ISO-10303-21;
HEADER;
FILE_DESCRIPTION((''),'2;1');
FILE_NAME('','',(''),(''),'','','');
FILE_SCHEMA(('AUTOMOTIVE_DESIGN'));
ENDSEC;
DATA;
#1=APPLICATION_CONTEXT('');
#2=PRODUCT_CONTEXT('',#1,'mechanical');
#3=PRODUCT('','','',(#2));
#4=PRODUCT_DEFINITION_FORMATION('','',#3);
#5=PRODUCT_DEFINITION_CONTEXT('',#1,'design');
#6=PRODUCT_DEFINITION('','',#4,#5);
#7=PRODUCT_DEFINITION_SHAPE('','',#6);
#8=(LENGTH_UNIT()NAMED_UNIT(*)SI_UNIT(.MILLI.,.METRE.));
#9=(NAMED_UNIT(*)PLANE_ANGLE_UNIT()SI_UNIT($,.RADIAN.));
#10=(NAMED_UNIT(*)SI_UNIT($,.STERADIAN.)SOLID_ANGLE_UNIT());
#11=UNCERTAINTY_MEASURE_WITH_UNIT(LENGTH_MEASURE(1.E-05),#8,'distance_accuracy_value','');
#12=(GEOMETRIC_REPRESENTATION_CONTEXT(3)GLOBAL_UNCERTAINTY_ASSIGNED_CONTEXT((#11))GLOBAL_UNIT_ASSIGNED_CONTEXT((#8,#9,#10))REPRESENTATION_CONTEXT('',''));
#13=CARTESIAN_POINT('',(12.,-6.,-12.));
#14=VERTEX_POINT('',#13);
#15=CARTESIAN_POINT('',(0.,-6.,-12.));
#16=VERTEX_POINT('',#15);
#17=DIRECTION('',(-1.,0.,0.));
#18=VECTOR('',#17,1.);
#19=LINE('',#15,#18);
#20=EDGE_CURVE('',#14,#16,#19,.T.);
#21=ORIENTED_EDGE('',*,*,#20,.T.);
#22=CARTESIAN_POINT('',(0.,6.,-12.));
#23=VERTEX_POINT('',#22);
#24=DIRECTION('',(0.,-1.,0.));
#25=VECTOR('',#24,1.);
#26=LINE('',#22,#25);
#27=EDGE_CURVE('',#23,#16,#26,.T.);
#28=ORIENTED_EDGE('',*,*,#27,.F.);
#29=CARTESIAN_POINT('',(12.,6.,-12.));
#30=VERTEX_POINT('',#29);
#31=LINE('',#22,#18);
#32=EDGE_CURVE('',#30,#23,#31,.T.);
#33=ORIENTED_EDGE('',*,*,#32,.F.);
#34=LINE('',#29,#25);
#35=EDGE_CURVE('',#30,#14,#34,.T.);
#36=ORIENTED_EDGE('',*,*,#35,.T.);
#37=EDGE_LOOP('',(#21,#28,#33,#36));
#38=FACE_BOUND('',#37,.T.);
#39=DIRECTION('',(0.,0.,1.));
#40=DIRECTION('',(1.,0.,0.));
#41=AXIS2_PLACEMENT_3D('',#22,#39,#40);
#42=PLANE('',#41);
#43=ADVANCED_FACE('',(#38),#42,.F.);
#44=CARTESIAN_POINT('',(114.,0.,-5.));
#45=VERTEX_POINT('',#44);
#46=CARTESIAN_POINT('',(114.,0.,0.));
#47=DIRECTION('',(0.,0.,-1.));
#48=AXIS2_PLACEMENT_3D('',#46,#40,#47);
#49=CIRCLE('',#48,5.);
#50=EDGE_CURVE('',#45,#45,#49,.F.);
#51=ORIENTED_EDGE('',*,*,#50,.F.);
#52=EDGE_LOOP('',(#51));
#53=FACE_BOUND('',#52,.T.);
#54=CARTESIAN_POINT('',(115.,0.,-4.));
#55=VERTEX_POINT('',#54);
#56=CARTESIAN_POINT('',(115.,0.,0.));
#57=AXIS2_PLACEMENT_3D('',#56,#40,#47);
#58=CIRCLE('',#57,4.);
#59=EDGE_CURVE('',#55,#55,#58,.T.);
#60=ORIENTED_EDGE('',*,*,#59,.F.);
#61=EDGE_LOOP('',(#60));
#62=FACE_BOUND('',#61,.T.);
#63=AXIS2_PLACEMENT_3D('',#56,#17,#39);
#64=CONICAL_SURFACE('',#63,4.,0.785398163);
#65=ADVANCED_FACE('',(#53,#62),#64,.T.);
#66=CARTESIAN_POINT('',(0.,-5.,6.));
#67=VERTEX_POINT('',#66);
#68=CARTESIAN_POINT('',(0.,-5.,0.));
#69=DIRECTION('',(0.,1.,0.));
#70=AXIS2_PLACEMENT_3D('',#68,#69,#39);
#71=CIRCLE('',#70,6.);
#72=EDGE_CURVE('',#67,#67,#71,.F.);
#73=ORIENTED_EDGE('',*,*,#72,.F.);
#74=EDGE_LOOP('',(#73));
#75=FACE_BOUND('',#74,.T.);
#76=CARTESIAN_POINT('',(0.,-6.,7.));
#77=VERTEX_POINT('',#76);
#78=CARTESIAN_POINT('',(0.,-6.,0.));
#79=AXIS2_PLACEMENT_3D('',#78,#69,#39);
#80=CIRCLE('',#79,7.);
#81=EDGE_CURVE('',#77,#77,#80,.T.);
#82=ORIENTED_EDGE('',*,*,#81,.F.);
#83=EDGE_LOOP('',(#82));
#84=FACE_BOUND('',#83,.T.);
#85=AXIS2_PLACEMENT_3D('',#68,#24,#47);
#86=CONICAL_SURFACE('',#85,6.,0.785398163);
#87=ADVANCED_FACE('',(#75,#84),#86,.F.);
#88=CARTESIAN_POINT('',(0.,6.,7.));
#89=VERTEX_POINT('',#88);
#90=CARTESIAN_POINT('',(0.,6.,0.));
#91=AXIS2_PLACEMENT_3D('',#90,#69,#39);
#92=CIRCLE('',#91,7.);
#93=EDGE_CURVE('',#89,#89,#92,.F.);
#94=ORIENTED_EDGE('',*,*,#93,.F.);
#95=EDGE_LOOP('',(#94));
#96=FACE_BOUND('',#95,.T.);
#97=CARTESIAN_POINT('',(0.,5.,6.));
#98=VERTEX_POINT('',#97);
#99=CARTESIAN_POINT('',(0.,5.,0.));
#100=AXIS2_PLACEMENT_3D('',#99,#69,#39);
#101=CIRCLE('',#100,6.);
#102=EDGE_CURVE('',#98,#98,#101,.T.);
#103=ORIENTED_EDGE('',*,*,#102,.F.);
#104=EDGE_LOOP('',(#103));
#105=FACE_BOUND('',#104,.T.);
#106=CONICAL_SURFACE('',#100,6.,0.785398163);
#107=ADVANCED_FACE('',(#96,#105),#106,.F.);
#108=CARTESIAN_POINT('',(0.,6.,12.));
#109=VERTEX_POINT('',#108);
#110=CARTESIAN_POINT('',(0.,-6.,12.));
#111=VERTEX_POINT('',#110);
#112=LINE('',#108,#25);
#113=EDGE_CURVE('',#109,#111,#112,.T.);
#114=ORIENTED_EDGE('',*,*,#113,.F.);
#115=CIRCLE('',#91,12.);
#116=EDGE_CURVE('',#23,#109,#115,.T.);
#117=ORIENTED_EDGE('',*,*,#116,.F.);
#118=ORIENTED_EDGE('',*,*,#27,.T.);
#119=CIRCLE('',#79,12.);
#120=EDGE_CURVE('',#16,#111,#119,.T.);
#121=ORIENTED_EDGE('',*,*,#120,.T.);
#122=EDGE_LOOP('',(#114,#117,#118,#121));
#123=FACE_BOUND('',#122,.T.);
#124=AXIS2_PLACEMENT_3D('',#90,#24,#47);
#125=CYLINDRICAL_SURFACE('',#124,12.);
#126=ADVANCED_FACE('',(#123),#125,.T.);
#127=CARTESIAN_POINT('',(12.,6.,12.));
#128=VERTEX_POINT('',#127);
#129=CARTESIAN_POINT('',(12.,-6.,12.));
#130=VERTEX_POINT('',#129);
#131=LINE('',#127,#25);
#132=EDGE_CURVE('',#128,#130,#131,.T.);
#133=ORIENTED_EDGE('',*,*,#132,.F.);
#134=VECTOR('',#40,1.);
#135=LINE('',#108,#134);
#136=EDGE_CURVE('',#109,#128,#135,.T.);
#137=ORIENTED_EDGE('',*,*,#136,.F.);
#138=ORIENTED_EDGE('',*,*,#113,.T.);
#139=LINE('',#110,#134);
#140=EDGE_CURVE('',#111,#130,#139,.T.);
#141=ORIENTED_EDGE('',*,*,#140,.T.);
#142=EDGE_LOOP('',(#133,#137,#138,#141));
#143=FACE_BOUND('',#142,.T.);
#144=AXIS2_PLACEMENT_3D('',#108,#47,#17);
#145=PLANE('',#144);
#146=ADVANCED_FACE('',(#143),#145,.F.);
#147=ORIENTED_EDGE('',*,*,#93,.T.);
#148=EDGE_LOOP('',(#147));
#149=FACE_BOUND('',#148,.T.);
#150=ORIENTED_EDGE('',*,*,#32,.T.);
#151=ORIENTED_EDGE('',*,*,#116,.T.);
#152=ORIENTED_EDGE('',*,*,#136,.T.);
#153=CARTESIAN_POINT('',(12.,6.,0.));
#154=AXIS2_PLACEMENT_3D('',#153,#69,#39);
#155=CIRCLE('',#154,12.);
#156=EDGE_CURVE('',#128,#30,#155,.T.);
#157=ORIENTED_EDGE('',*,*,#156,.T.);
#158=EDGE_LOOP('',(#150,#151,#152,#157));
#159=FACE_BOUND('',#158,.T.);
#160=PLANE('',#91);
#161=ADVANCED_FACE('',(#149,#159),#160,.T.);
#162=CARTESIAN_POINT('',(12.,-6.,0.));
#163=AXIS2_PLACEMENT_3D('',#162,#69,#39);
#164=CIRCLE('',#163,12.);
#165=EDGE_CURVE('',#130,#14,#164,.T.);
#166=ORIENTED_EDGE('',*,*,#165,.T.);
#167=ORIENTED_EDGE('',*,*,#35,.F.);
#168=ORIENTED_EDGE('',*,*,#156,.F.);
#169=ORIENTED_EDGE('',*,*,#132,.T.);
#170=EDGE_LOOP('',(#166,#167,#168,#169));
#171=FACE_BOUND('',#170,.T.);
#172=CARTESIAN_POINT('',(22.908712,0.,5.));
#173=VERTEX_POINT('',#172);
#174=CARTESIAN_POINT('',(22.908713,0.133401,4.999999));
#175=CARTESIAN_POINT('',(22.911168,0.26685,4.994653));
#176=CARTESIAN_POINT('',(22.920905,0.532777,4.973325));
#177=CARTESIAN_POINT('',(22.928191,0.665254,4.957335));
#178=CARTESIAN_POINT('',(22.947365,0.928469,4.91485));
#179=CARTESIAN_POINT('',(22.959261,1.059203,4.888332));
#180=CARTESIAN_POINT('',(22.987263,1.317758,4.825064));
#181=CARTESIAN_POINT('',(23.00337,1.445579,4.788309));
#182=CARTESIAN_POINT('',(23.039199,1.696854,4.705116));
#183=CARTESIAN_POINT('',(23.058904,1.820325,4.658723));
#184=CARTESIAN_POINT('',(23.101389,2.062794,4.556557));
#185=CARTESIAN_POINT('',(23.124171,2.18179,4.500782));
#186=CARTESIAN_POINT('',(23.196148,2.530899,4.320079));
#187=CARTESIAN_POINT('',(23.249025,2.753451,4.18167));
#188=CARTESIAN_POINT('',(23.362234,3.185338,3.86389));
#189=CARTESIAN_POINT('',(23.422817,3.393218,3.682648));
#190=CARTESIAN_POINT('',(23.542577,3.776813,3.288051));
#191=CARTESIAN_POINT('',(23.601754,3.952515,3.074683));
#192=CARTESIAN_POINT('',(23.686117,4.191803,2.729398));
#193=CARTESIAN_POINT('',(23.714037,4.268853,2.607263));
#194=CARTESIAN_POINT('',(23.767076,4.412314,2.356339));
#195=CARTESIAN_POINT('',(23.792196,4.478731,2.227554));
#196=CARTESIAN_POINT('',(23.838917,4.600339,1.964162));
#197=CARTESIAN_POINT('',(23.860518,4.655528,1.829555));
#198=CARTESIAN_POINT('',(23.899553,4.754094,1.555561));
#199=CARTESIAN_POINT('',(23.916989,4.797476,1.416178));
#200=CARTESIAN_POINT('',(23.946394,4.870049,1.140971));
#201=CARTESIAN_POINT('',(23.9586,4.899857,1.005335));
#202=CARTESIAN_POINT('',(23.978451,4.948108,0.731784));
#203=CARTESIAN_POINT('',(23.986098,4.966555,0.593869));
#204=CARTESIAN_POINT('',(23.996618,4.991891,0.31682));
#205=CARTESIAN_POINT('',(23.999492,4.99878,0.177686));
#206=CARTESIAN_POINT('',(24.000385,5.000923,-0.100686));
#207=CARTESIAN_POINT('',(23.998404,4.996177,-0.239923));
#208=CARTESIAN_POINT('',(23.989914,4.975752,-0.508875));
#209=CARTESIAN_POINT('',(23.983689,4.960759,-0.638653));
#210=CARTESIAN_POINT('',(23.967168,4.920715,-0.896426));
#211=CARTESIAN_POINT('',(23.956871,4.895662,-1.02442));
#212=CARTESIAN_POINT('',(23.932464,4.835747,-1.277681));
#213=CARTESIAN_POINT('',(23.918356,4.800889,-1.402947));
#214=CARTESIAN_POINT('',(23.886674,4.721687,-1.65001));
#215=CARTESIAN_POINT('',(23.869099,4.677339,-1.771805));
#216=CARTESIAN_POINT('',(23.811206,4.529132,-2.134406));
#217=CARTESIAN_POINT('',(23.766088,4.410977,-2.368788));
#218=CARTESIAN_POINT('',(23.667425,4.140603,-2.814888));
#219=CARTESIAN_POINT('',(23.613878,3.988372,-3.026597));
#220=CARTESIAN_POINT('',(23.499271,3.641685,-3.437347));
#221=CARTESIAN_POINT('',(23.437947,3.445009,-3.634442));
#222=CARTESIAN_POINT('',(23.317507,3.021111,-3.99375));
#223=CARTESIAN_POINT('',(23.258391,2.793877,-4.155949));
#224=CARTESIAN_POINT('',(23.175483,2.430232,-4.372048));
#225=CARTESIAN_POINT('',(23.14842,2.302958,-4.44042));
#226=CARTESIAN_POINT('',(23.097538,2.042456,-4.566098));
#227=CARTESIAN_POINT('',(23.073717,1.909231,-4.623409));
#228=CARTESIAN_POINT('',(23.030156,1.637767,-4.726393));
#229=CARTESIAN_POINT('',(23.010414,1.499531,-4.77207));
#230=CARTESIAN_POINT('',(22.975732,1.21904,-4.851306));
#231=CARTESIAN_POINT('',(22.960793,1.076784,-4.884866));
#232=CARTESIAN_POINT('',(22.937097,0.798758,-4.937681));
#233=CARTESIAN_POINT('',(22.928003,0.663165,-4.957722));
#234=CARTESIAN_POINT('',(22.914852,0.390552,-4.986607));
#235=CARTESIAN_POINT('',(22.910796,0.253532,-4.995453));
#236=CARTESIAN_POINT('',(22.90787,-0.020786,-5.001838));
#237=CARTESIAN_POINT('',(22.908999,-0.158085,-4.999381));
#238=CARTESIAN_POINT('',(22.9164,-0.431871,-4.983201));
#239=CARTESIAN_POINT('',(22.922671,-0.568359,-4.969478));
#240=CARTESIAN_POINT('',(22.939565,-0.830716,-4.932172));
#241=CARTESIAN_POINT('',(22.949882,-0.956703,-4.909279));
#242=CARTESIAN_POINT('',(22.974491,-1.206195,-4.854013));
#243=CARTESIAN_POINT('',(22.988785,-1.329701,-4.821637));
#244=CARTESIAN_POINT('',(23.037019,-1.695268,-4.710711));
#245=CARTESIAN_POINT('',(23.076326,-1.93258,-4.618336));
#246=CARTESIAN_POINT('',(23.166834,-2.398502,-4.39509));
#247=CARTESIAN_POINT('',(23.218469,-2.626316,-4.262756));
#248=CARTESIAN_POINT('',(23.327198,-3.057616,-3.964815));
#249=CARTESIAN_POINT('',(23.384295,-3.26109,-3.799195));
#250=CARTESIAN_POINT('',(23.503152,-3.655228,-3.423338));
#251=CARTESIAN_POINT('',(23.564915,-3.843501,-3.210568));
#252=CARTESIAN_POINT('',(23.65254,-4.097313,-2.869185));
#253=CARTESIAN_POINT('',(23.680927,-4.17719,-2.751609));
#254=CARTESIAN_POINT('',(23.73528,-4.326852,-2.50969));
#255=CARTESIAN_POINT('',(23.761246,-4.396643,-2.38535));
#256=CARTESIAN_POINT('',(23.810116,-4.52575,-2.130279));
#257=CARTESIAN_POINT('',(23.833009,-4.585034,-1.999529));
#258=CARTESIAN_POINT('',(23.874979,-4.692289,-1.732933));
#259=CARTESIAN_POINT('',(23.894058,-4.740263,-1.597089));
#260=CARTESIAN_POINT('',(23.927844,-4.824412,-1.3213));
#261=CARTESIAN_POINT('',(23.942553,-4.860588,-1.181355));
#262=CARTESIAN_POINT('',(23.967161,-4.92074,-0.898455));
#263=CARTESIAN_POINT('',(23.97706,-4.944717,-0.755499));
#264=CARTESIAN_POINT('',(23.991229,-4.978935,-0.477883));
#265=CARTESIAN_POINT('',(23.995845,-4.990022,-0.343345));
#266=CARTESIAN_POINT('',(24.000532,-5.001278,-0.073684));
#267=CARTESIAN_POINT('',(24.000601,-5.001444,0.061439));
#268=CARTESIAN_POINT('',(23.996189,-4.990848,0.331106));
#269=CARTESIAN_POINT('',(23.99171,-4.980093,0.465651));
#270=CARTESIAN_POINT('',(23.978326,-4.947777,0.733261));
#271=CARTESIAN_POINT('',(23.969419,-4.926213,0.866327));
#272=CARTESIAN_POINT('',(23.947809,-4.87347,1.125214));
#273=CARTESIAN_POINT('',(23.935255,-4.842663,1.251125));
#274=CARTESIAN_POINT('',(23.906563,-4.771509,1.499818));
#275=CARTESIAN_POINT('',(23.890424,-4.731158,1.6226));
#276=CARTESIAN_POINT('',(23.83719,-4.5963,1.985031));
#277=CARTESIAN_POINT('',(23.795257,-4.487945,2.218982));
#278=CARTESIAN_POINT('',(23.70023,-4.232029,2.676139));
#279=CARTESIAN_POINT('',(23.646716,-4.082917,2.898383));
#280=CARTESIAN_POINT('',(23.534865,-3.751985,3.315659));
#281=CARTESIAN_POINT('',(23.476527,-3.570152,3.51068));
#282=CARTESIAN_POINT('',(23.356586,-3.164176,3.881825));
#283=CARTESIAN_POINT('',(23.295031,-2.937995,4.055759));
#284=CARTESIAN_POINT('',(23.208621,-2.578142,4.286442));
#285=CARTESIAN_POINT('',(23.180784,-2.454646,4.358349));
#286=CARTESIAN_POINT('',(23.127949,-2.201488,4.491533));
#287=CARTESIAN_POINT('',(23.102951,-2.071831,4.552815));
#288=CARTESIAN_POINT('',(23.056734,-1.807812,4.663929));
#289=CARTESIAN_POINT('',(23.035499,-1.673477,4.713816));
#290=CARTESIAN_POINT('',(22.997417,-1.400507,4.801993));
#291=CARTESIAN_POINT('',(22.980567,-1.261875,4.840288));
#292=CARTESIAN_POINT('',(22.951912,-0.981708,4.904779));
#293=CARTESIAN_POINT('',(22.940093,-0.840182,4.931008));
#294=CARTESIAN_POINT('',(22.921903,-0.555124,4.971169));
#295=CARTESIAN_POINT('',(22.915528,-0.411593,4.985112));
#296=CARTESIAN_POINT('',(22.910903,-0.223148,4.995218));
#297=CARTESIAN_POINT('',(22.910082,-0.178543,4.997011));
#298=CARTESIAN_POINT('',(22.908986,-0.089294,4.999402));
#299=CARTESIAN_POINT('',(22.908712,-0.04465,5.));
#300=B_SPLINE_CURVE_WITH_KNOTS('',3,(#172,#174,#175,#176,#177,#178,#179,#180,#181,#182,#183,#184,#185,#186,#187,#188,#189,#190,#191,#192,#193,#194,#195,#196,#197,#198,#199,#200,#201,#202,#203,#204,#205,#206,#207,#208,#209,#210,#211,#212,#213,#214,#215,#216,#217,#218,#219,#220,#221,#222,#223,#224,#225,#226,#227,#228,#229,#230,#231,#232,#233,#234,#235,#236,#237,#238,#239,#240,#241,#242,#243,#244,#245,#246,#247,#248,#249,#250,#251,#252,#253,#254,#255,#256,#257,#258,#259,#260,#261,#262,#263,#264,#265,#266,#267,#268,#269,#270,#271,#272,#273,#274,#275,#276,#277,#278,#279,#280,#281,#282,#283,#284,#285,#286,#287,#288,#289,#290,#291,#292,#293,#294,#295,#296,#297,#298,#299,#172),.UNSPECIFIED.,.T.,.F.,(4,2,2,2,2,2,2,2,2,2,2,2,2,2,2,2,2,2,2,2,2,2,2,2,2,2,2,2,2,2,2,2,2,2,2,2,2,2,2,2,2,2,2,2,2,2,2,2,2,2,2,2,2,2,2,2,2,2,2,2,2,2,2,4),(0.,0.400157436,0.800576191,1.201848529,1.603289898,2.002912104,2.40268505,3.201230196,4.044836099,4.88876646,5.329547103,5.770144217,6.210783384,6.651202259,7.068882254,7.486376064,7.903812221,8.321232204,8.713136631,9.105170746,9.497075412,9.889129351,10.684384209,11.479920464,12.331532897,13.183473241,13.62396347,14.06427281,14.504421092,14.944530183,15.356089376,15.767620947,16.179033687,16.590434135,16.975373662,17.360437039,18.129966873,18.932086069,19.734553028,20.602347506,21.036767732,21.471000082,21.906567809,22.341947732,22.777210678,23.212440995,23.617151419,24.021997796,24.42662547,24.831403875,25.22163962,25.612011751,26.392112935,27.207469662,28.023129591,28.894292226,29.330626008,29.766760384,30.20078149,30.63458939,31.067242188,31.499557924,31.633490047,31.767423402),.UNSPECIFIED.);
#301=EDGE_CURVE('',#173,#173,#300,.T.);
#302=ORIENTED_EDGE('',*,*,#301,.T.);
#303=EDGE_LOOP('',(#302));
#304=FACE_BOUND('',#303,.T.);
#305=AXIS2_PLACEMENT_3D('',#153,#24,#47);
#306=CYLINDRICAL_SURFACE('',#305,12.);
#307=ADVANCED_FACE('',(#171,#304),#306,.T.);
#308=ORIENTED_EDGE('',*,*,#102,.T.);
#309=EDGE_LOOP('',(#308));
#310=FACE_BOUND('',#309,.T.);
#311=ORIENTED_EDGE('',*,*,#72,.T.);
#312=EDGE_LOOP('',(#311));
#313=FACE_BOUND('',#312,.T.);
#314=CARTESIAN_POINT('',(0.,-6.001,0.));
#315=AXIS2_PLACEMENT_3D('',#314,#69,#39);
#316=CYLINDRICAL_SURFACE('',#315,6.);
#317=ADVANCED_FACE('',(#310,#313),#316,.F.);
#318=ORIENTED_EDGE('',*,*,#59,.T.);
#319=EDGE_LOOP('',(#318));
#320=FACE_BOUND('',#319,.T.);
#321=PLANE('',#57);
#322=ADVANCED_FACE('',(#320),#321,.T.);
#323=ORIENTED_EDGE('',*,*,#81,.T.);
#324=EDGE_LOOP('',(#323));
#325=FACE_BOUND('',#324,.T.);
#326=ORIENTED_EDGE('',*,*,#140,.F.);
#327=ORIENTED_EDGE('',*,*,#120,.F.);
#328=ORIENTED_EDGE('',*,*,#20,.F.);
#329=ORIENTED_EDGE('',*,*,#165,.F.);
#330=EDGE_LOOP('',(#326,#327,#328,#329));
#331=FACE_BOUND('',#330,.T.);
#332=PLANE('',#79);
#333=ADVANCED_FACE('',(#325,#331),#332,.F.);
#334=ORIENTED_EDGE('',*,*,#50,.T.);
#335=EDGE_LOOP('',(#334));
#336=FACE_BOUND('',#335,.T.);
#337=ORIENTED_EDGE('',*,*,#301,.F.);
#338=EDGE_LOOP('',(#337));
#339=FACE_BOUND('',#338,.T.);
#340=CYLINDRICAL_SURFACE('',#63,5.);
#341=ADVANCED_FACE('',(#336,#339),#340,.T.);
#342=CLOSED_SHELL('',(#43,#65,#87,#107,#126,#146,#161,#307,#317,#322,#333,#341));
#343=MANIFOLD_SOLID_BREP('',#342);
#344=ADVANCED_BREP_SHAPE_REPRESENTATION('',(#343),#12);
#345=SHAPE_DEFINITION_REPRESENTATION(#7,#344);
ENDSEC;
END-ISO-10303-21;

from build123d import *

# Parameters (mm, degrees)
SCHIZZO1_R                   = 5
ESTRUSIONE_ESTRUSIONE1_DEPTH = 115
ESTRUSIONE_ESTRUSIONE2_DEPTH = 6
TAGLIO_ESTRUSIONE1_REACH     = 118.245
SCHIZZO3_R                   = 6
SMUSSO1_SIZE                 = 1


with BuildPart() as part:
    # Schizzo1 → Estrusione-Estrusione1 (new body)
    with BuildSketch(Plane(origin=(0, 0, 0), x_dir=(0, 0, -1), z_dir=(1, 0, 0))):
        Circle(SCHIZZO1_R)
    extrude(amount=ESTRUSIONE_ESTRUSIONE1_DEPTH)

    # Schizzo2 → Estrusione-Estrusione2 (add, symmetric)
    with BuildSketch(Plane(origin=(0, 0, 0), x_dir=(1, 0, 0), z_dir=(0, 1, 0))):
        with BuildLine():
            Line((0, 12), (12, 12))
            ThreePointArc((12, 12), (24, 0), (12, -12))
            Line((12, -12), (0, -12))
            ThreePointArc((0, -12), (-12, 0), (0, 12))
        make_face()
    extrude(amount=ESTRUSIONE_ESTRUSIONE2_DEPTH, both=True)

    # Schizzo3 → Taglio-Estrusione1 (cut, up to next)
    with BuildSketch(Plane(origin=(0, 6, 0), x_dir=(1, 0, 0), z_dir=(0, 1, 0)), mode=Mode.PRIVATE) as taglio_estrusione1_sk1:
        with Locations(Location((0, 0, 0), (0, 0, 270))):
            Circle(SCHIZZO3_R)
    taglio_estrusione1_tool1 = extrude(taglio_estrusione1_sk1.sketch, amount=-TAGLIO_ESTRUSIONE1_REACH, mode=Mode.PRIVATE) & part.part
    add(taglio_estrusione1_tool1.solids().sort_by_distance((0, 6, 0))[0], mode=Mode.SUBTRACT)

    # Smusso1
    smusso1_edges = [part.edges().sort_by_distance(p)[0] for p in [
        (0, 6, -6),
        (0, -6, -6),
        (115, 0, 5),
    ]]
    chamfer(smusso1_edges, length=SMUSSO1_SIZE)


solid = part.part
